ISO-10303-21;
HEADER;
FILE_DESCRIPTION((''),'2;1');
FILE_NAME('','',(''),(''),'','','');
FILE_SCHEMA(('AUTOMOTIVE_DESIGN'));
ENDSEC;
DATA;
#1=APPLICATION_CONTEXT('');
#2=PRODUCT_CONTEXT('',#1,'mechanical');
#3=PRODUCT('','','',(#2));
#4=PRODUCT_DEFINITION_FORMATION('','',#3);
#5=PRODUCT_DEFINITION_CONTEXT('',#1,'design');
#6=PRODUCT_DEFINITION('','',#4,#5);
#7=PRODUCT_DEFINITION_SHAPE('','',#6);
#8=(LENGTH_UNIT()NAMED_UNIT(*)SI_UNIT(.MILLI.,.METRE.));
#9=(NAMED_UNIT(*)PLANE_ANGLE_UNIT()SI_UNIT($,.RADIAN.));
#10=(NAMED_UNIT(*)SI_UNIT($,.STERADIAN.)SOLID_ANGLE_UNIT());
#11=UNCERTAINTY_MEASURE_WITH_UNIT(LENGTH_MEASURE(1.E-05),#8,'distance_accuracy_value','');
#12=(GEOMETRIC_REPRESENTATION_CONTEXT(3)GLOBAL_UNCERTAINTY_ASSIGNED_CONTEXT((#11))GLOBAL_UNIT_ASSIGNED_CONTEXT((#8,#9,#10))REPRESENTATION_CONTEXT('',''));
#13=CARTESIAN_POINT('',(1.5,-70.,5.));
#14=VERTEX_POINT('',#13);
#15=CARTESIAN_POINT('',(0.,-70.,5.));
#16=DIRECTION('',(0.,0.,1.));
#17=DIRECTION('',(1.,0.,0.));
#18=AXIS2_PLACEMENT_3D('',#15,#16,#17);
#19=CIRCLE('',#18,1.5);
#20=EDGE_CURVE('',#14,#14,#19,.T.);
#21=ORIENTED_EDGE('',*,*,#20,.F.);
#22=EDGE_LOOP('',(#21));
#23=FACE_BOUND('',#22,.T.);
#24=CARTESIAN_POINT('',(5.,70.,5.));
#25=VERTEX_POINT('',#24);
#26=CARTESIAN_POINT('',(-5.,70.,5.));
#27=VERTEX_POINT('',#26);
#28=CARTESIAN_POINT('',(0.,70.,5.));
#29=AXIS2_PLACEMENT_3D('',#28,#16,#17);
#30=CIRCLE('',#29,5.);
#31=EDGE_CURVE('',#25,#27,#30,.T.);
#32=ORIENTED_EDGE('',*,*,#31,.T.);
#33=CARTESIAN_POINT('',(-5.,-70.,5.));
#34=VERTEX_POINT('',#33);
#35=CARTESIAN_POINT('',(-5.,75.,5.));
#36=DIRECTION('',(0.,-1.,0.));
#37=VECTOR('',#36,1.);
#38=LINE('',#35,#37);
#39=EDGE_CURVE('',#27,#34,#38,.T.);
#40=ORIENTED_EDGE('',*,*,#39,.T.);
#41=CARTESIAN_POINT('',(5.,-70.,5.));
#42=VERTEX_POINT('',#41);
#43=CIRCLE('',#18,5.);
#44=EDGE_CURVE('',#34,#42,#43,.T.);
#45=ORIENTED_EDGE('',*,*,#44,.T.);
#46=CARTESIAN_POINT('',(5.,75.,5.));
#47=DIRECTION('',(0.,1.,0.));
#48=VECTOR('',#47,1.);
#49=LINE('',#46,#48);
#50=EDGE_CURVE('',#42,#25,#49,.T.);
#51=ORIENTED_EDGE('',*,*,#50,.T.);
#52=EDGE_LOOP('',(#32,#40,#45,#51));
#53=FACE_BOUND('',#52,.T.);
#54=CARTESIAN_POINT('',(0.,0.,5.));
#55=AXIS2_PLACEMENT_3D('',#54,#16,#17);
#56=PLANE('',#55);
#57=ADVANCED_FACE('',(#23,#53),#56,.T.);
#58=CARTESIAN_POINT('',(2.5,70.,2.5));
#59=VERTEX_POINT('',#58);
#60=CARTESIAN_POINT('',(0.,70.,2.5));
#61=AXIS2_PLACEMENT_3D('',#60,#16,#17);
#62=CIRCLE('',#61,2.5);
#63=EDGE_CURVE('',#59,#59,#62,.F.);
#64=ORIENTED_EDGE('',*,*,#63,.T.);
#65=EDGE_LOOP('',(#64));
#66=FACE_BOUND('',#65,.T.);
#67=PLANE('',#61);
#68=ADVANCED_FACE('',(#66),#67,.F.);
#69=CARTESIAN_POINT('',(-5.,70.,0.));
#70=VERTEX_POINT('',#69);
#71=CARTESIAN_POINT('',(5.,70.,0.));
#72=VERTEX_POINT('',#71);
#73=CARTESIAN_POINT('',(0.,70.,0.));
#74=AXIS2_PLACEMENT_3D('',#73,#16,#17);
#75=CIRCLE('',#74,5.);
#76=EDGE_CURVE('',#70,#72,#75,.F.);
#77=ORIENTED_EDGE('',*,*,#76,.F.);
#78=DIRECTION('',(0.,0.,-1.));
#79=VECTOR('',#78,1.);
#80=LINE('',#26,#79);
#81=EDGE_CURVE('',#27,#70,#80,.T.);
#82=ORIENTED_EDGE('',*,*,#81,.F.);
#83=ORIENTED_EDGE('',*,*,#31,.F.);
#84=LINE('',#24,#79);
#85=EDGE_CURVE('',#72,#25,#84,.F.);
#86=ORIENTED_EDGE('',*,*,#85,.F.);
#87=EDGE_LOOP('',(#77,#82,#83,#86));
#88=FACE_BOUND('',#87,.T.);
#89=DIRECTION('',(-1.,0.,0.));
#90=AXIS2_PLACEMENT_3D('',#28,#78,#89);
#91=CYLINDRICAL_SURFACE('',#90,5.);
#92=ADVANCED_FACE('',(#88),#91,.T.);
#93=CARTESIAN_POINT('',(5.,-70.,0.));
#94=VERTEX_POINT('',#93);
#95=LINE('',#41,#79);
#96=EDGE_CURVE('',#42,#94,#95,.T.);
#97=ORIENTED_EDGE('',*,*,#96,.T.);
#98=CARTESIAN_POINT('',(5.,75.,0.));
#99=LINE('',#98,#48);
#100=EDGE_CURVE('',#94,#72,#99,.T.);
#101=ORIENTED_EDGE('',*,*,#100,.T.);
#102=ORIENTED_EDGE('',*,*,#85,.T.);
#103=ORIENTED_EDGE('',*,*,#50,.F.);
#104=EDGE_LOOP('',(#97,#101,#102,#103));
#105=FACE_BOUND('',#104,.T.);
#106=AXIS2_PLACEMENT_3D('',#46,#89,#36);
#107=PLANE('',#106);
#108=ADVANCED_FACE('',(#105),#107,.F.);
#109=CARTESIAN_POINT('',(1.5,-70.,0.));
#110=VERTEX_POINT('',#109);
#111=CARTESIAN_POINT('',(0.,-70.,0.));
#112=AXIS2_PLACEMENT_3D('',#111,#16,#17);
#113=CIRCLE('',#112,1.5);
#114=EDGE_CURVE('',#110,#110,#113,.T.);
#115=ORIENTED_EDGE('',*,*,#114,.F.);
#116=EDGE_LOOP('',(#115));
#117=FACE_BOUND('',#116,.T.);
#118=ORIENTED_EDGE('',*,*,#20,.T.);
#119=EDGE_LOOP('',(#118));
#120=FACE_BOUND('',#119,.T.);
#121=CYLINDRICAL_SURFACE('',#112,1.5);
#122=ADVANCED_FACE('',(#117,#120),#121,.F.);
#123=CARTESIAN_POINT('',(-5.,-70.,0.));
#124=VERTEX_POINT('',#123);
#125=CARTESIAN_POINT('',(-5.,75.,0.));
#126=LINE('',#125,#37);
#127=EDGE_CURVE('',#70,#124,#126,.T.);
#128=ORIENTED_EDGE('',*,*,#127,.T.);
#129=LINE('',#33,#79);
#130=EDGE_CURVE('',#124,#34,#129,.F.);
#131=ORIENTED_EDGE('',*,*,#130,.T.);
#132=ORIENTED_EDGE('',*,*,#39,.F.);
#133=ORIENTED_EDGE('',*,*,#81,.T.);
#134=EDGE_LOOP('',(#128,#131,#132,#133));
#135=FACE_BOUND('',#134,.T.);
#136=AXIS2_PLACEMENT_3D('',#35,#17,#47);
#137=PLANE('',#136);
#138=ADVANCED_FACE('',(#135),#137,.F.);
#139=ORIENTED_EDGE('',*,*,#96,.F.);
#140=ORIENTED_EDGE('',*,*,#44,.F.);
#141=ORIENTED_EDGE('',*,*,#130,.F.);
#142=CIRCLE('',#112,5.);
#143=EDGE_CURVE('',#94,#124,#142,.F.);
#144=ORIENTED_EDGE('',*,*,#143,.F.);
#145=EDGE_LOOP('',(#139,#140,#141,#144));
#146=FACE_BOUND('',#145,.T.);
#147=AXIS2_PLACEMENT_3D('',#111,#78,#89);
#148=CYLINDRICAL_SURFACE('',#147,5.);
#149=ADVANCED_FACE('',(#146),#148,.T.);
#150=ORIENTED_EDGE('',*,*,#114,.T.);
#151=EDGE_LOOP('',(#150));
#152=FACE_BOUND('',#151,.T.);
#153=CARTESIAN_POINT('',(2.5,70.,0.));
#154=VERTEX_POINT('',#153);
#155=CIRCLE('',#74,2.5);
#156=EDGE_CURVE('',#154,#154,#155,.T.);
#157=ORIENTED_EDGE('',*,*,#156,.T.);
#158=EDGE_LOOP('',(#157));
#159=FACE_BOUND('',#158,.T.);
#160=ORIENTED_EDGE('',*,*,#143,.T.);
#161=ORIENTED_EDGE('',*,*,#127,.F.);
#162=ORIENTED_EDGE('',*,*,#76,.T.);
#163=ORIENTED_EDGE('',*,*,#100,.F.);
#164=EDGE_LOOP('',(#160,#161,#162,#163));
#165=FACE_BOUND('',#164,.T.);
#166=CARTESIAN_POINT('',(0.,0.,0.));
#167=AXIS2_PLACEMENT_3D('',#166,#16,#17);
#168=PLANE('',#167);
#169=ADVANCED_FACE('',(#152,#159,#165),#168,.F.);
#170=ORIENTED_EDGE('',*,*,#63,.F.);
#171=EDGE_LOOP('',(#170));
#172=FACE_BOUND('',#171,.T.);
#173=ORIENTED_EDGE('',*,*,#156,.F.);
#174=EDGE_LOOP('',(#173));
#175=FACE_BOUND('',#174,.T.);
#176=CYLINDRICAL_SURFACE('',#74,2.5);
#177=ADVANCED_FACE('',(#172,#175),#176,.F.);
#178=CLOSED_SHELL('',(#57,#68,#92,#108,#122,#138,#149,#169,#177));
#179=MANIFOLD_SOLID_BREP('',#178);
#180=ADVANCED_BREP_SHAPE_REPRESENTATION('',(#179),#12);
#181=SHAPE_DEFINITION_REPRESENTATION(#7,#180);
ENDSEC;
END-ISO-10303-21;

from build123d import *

# Parameters (mm, degrees)
ESQUISSE1_W             = 10
ESQUISSE1_H             = 150
BOSS_EXTRU_1_DEPTH      = 5
CONG_1_RADIUS           = 5
CONG_1_LENGTH           = 5
CONG_2_RADIUS           = 5
CONG_2_LENGTH           = 5
ESQUISSE2_R             = 2.5
ESQUISSE2_R_2           = 1.5
ENL_V_MAT_EXTRU_1_DEPTH = 76.332595867
ESQUISSE3_R             = 2.5
BOSS_EXTRU_2_DEPTH      = 2.5


with BuildPart() as part:
    # Esquisse1 → Boss.-Extru.1 (new body)
    with BuildSketch(Plane.XY):
        Rectangle(ESQUISSE1_W, ESQUISSE1_H)
    extrude(amount=BOSS_EXTRU_1_DEPTH)

    # Congé1: full round fillet: the end face becomes a half cylinder, R = half its width
    cong_1_face = Plane((0, 75, 2.5), x_dir=(0, 0, 1), z_dir=(0, 1, 0))  # on the end face: x along it, z out of the body
    cong_1_slab = cong_1_face.offset(-CONG_1_RADIUS / 2) * Box(CONG_1_LENGTH, 2 * CONG_1_RADIUS, CONG_1_RADIUS, mode=Mode.PRIVATE)  # the body's end, R deep
    cong_1_round = Plane((0, 70, 2.5), x_dir=(0, 1, 0), z_dir=(0, 0, 1)) * Cylinder(CONG_1_RADIUS, CONG_1_LENGTH, mode=Mode.PRIVATE)  # its axis R under the face
    add(cong_1_slab - cong_1_round, mode=Mode.SUBTRACT)

    # Congé2: full round fillet: the end face becomes a half cylinder, R = half its width
    cong_2_face = Plane((0, -75, 2.5), x_dir=(0, 0, 1), z_dir=(0, -1, 0))  # on the end face: x along it, z out of the body
    cong_2_slab = cong_2_face.offset(-CONG_2_RADIUS / 2) * Box(CONG_2_LENGTH, 2 * CONG_2_RADIUS, CONG_2_RADIUS, mode=Mode.PRIVATE)  # the body's end, R deep
    cong_2_round = Plane((0, -70, 2.5), x_dir=(0, -1, 0), z_dir=(0, 0, 1)) * Cylinder(CONG_2_RADIUS, CONG_2_LENGTH, mode=Mode.PRIVATE)  # its axis R under the face
    add(cong_2_slab - cong_2_round, mode=Mode.SUBTRACT)

    # Esquisse2 → Enlèv. mat.-Extru.1 (cut, through all)
    with BuildSketch(Plane.XY.offset(5)):
        with Locations((0, 70)):
            Circle(ESQUISSE2_R)
        with Locations((0, -70)):
            Circle(ESQUISSE2_R_2)
    extrude(amount=-ENL_V_MAT_EXTRU_1_DEPTH, mode=Mode.SUBTRACT)

    # Esquisse3 → Boss.-Extru.2 (add)
    with BuildSketch(Plane.XY.offset(5)):
        with Locations((0, 70)):
            Circle(ESQUISSE3_R)
    extrude(amount=-BOSS_EXTRU_2_DEPTH)


solid = part.part
